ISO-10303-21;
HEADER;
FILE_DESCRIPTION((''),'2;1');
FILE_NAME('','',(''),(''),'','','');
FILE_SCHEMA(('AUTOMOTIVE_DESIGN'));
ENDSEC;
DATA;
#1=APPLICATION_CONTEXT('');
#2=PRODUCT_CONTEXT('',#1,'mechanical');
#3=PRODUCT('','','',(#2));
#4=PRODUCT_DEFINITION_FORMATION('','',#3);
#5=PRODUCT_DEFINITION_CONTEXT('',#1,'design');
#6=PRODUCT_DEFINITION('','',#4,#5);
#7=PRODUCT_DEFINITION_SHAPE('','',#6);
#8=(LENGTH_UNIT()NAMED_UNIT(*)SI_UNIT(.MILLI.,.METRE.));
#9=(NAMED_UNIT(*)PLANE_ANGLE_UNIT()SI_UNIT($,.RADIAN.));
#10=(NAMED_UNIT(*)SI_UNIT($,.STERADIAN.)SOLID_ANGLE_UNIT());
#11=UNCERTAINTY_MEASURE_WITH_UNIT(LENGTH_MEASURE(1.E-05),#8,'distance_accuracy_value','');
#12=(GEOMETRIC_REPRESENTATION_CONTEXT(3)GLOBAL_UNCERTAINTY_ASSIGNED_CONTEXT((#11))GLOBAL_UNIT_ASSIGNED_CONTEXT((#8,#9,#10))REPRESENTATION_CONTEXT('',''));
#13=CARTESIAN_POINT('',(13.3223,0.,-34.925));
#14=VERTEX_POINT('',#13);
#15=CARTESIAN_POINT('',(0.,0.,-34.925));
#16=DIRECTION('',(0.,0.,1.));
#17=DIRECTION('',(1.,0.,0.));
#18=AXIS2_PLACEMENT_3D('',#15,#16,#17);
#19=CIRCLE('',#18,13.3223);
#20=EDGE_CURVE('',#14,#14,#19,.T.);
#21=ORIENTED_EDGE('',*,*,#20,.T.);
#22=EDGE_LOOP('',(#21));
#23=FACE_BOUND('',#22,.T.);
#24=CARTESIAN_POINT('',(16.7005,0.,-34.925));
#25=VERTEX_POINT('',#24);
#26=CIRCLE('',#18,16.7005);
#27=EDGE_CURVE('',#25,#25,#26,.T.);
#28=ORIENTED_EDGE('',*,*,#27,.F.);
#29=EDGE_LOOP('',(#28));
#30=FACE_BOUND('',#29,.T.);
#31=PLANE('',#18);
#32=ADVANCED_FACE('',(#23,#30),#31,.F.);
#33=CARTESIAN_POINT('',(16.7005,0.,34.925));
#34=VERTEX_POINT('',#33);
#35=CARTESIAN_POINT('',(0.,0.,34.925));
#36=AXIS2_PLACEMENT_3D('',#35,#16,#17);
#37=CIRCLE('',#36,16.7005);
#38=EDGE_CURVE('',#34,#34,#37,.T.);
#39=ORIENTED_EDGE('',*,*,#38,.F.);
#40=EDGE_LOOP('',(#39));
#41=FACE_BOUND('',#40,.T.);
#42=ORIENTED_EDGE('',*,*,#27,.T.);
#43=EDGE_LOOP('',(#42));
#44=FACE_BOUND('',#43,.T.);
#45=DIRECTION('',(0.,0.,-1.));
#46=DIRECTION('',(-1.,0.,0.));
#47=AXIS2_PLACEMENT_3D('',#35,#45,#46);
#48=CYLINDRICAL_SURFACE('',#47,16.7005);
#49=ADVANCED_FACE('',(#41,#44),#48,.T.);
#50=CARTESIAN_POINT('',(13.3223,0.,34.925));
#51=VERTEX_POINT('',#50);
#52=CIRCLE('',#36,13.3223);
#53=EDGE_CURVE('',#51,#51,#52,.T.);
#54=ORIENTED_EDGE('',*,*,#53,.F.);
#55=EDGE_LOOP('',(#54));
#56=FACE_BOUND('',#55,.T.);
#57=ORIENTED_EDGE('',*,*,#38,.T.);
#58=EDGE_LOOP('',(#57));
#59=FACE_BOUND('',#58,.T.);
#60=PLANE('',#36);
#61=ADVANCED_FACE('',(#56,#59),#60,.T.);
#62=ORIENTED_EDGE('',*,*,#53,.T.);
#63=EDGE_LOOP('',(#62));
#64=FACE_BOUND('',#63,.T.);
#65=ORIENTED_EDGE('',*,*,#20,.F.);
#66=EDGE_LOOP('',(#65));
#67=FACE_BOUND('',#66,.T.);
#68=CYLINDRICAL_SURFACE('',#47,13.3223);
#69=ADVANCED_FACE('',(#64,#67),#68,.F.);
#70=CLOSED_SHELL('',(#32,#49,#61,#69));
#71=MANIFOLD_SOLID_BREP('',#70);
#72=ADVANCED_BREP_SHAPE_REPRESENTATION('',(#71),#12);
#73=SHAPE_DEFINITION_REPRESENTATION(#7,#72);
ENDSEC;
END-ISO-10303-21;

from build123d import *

# Parameters (mm, degrees)
SKETCH1_R           = 16.7005
SKETCH1_R_2         = 13.3223
EXTRUDE_THIN1_DEPTH = 34.925


with BuildPart() as part:
    # Sketch1 → Extrude-Thin1 (new, symmetric)
    with BuildSketch(Plane.XY):
        Circle(SKETCH1_R)
        Circle(SKETCH1_R_2, mode=Mode.SUBTRACT)
    extrude(amount=EXTRUDE_THIN1_DEPTH, both=True)


solid = part.part
